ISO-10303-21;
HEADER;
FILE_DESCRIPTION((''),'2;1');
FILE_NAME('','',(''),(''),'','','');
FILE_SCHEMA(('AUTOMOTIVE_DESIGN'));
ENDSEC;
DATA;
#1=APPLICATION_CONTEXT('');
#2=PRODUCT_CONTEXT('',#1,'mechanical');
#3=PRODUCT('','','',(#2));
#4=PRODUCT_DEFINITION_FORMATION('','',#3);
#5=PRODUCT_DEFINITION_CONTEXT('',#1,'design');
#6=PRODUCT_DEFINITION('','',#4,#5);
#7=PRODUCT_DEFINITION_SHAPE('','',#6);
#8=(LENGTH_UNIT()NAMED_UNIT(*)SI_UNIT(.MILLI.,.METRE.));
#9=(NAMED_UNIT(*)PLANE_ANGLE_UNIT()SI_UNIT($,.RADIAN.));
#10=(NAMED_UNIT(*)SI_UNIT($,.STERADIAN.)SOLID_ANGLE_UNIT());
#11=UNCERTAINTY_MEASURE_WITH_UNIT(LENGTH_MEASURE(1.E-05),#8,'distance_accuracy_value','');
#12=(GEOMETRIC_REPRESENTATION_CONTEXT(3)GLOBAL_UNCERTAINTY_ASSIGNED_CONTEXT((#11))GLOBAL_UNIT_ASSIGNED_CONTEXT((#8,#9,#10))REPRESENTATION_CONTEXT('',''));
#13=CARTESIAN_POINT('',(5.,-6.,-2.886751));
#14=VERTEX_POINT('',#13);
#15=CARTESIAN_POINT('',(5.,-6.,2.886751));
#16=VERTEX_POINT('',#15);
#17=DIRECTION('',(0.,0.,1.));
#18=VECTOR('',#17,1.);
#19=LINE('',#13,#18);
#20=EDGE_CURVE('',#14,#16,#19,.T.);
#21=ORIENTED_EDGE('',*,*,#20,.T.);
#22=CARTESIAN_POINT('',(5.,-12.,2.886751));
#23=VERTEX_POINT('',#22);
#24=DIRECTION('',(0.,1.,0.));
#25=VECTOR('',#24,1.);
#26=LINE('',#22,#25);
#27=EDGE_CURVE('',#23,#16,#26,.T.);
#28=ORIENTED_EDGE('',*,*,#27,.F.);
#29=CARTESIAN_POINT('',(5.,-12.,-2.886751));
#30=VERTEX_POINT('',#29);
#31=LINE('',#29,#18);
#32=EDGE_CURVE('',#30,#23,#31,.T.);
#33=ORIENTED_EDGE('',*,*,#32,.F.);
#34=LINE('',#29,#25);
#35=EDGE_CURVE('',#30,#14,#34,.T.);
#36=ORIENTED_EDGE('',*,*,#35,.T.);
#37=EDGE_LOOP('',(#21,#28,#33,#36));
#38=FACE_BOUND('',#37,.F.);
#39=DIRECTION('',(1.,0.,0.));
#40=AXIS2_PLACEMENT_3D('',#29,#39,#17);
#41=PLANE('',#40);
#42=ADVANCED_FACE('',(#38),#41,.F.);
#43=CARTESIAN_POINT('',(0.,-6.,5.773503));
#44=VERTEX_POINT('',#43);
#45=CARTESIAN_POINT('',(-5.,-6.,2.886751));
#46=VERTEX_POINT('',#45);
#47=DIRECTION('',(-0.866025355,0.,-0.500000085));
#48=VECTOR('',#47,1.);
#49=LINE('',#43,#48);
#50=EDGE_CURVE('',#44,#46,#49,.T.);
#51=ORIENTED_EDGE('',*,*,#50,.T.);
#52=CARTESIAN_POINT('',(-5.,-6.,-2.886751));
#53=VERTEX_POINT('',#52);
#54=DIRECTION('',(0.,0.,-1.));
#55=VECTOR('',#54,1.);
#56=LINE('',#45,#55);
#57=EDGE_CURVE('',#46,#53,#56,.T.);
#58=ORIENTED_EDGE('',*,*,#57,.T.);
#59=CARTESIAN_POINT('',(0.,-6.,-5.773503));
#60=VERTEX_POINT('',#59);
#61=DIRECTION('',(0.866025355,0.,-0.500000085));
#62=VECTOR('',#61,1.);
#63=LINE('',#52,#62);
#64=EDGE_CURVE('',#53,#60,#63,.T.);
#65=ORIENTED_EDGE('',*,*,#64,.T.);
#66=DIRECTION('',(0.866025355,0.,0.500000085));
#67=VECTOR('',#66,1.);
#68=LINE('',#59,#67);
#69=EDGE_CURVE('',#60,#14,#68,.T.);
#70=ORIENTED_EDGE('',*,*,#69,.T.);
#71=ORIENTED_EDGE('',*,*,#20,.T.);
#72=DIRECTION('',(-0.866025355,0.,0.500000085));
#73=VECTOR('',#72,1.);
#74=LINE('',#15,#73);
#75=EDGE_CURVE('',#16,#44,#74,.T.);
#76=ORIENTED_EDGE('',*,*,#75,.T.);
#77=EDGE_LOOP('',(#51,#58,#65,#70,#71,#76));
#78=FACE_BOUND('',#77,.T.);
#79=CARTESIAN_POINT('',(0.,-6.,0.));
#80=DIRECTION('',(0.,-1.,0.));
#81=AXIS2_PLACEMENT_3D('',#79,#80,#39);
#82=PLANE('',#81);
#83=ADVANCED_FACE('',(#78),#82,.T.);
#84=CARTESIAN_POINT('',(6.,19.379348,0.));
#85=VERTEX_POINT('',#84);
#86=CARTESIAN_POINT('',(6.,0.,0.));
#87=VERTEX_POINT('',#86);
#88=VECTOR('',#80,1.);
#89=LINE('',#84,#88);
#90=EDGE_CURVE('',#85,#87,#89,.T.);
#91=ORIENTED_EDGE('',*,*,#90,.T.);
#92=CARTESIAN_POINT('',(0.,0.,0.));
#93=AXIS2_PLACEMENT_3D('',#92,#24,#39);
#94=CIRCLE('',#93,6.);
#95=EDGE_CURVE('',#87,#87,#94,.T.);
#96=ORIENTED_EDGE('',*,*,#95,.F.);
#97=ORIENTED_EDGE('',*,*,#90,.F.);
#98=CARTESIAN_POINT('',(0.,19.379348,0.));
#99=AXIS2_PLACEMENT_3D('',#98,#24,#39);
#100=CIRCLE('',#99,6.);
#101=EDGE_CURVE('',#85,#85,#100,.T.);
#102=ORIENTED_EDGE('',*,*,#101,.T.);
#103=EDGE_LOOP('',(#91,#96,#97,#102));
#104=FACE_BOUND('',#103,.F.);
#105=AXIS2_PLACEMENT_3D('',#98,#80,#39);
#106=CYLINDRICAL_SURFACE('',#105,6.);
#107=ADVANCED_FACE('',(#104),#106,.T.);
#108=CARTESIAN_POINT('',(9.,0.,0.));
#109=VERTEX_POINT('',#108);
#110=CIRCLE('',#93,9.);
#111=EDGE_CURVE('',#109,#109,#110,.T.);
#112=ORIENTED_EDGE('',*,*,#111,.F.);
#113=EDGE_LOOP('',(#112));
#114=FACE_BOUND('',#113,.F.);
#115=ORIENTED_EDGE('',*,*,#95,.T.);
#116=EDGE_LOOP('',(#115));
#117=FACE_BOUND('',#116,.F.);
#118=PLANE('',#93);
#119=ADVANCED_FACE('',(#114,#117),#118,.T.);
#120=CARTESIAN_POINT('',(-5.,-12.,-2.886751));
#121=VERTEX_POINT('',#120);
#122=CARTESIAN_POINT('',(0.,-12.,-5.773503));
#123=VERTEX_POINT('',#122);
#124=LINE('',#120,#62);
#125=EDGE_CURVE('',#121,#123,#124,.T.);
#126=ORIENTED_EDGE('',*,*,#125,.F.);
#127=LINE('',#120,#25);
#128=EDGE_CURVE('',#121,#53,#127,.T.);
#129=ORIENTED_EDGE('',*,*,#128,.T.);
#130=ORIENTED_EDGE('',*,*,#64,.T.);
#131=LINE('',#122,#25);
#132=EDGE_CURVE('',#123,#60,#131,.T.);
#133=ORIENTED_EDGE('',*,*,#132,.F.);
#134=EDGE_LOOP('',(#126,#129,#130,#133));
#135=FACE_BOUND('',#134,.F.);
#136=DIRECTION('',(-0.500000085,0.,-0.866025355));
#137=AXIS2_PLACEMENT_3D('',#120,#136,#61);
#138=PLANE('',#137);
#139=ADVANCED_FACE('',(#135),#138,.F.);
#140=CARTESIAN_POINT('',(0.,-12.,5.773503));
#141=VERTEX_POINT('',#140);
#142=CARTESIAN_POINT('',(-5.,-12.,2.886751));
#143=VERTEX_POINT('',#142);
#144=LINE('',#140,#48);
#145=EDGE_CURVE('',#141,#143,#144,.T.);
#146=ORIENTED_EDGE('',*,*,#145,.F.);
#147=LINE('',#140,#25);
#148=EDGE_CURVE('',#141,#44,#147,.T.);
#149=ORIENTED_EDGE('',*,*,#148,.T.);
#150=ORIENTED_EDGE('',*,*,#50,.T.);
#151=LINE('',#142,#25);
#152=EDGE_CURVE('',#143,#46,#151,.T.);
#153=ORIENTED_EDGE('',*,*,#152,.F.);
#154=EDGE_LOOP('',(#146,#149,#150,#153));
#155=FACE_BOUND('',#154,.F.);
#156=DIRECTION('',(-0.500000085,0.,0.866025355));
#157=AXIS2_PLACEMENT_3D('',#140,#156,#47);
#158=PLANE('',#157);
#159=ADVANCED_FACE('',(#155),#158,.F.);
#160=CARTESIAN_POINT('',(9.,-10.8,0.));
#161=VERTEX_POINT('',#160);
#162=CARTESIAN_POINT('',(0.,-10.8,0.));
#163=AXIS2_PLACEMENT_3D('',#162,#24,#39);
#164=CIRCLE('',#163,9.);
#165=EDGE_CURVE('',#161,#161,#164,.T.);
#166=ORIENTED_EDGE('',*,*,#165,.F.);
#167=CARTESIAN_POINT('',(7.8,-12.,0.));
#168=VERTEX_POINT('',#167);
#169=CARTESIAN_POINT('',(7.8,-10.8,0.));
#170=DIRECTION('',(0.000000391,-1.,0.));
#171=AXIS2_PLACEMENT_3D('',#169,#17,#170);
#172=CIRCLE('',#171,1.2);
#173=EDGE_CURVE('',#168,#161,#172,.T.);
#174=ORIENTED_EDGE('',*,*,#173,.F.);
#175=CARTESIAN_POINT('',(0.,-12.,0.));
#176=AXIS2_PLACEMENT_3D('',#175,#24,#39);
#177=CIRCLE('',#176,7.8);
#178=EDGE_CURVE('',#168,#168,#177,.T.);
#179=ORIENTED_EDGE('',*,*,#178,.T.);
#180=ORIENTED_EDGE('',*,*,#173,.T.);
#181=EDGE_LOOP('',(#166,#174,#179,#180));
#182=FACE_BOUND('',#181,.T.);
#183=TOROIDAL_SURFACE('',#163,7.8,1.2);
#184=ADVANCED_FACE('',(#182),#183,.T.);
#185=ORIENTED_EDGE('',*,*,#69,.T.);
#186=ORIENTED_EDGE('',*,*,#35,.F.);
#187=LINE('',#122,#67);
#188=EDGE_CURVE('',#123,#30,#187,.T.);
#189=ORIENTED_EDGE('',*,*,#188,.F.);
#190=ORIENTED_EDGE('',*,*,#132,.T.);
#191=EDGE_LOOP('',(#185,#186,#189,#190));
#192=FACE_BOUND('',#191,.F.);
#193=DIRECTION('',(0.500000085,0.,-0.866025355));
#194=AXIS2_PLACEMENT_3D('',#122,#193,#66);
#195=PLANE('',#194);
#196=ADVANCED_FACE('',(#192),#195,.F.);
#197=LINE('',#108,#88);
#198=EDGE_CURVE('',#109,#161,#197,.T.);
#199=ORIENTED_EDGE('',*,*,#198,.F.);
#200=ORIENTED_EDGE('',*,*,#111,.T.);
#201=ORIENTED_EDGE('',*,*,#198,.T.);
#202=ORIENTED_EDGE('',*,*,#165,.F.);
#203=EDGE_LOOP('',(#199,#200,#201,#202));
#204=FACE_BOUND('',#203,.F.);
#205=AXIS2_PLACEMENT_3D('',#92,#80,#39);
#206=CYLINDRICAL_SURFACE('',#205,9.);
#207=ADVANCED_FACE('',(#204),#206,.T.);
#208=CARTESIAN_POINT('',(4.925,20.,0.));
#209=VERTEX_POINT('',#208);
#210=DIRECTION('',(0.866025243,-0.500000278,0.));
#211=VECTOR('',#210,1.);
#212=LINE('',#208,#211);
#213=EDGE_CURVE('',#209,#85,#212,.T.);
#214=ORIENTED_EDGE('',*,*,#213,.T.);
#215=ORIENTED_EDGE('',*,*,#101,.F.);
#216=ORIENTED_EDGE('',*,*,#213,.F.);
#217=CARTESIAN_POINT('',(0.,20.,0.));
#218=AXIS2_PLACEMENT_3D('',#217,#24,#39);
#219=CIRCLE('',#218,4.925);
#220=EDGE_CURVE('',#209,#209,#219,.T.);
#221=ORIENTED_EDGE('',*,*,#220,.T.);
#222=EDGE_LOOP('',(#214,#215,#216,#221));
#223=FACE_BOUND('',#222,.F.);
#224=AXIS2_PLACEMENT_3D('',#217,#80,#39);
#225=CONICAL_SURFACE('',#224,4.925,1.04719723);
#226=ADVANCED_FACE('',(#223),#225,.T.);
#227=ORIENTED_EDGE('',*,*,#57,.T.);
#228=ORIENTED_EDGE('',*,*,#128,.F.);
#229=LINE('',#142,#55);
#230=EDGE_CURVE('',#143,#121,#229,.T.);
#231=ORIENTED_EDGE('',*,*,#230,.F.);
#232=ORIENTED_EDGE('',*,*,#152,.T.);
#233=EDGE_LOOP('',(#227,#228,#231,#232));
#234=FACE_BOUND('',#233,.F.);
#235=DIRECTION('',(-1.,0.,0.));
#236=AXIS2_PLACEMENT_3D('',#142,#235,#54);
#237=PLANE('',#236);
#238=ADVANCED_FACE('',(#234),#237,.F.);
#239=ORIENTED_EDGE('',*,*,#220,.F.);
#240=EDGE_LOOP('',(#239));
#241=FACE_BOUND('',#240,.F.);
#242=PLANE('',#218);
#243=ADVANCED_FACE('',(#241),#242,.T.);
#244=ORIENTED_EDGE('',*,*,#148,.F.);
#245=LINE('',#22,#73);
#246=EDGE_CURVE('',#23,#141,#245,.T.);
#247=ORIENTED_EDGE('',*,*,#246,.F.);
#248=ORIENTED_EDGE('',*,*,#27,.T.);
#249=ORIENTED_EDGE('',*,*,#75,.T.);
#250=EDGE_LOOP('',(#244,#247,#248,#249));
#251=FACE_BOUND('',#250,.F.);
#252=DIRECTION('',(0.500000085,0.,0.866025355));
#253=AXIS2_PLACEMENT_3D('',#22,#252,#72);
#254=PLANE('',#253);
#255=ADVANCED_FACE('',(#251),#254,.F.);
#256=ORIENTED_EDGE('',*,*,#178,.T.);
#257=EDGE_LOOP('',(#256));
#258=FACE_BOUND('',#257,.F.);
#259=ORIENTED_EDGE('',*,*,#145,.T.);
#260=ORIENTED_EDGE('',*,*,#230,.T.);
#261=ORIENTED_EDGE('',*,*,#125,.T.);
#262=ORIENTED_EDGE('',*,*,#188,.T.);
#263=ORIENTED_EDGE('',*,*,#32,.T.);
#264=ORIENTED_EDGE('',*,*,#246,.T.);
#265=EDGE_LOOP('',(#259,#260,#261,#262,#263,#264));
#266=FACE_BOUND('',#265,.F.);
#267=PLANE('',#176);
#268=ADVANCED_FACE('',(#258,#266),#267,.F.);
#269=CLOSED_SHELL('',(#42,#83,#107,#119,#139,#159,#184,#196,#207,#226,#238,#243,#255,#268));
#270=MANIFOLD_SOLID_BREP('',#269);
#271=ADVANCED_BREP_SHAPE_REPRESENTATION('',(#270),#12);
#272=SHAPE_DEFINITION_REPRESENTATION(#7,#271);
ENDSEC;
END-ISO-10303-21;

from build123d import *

# Parameters (mm, degrees)
POCKET_DEPTH = 6


with BuildPart() as part:
    # Sketch → Revolution (revolve)
    with BuildSketch(Plane.XY):
        with BuildLine():
            Line((6, 0), (9, 0))
            Line((9, 0), (9, -10.8))
            ThreePointArc((7.8, -12), (8.648528, -11.648528), (9, -10.8))
            Line((7.8, -12), (0, -12))
            Line((0, -12), (0, 20))
            Line((0, 20), (4.925, 20))
            Line((4.925, 20), (6, 19.379348))
            Line((6, 19.379348), (6, 0))
        make_face()
    revolve(axis=Axis((0, 0, 0), (0, 1, 0)))

    # Sketch001 → Pocket (cut)
    with BuildSketch(Plane.XZ.offset(12)):
        Polygon((-5, 2.886751), (-5, -2.886751), (0, -5.773503), (5, -2.886751), (5, 2.886751), (0, 5.773503), align=None)
    extrude(amount=-POCKET_DEPTH, mode=Mode.SUBTRACT)


solid = part.part
